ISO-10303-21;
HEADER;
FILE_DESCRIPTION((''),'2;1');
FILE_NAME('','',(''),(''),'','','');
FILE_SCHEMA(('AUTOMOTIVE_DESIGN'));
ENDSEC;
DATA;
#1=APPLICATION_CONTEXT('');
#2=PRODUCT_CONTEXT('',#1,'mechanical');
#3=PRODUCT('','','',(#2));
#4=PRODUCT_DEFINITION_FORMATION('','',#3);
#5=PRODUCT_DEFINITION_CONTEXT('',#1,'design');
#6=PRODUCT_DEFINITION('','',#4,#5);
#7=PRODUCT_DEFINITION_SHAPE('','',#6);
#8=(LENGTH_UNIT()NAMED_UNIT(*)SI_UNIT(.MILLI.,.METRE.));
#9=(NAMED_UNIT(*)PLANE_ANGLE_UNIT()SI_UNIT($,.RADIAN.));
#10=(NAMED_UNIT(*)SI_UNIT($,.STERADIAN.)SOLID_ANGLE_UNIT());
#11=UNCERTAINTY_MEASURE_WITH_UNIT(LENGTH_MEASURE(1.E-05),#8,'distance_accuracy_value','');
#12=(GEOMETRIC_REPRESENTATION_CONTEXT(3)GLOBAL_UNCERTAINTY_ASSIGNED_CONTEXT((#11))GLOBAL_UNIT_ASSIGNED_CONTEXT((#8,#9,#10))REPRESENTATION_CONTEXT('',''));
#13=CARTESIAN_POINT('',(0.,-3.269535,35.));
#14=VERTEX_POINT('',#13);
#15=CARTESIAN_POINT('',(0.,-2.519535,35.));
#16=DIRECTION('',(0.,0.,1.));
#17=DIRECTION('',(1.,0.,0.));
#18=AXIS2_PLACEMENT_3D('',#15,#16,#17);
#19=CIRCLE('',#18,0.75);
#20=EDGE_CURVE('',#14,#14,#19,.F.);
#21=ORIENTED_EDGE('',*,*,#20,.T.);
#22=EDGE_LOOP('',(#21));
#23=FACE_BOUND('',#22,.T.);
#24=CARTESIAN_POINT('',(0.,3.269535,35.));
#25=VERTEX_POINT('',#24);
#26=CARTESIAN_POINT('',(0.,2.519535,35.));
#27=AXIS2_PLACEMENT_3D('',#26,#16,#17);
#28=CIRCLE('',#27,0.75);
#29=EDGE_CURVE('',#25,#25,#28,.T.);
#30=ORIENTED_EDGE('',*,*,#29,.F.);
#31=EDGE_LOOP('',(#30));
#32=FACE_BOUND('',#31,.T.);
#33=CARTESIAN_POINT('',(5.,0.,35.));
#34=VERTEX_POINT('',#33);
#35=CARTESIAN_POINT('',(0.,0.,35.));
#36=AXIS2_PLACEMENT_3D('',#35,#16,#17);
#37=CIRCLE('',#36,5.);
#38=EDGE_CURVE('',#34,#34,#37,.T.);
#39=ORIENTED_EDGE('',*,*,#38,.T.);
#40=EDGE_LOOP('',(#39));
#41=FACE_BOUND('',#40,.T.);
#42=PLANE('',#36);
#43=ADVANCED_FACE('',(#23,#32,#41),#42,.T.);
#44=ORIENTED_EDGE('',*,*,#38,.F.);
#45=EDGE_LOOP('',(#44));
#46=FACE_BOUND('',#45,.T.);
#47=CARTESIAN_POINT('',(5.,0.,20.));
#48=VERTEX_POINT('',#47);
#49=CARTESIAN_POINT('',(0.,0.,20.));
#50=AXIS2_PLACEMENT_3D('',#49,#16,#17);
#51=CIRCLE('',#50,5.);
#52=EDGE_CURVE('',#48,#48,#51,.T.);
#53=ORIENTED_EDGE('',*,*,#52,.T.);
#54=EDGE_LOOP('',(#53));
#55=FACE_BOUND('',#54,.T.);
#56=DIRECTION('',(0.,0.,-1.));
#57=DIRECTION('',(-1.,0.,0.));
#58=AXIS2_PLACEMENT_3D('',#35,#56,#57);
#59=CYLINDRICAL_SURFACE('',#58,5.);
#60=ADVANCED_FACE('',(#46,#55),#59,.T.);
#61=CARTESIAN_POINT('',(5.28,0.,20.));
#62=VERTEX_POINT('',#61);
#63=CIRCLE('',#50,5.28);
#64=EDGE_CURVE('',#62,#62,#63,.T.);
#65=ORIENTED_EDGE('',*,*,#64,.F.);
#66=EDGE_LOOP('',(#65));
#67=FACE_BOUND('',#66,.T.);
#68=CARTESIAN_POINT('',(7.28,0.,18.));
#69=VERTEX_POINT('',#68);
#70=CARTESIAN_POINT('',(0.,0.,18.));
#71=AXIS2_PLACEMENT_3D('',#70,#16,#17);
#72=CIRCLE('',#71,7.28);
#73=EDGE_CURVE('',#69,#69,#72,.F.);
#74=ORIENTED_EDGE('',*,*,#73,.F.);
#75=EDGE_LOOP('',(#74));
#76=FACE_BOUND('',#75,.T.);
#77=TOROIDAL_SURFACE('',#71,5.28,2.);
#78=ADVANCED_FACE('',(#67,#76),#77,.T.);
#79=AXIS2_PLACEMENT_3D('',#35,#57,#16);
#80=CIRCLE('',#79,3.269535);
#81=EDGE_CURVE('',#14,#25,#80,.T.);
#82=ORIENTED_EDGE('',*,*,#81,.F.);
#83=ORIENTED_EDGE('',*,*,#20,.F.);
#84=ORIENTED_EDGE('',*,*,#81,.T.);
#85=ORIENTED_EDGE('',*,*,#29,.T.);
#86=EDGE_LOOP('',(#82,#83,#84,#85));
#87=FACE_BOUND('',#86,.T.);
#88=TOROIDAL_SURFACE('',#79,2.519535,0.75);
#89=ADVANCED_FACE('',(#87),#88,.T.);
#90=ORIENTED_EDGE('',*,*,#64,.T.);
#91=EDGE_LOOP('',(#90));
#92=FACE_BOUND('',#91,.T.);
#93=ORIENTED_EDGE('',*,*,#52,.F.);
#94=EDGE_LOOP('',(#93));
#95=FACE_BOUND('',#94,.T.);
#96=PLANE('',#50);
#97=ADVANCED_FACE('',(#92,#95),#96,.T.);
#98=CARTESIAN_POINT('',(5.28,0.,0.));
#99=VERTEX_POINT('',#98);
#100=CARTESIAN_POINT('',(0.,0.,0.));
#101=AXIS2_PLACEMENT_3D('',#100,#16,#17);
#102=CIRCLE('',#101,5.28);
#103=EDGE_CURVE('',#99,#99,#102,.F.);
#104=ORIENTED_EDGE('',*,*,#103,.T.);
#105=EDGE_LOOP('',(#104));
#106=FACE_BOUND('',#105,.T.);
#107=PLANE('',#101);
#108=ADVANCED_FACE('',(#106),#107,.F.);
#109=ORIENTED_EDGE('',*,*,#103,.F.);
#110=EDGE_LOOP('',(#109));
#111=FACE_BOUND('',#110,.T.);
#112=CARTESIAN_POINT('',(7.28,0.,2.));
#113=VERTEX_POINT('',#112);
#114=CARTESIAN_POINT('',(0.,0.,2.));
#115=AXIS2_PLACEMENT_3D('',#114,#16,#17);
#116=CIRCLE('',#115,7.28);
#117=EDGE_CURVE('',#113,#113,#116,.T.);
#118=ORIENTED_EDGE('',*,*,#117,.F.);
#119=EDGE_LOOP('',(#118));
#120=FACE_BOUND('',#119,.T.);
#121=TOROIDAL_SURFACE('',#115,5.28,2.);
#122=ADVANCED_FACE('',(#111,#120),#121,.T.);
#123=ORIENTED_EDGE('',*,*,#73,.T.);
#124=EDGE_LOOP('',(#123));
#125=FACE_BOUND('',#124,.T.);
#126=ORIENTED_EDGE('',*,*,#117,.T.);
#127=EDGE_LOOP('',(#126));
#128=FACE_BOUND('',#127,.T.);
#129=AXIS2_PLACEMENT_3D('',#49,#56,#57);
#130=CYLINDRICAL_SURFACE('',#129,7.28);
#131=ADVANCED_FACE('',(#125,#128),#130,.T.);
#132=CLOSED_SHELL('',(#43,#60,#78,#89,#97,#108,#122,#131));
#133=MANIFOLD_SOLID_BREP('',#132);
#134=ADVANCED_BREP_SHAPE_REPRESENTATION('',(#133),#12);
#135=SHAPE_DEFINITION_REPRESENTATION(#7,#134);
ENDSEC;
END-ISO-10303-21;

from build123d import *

# Parameters (mm, degrees)
SKETCH1_R           = 7.28
BOSS_EXTRUDE1_DEPTH = 20
FILLET1_R           = 2
SKETCH2_R           = 5
BOSS_EXTRUDE2_DEPTH = 15
SKETCH4_R           = 0.75
REVOLVE1_ANGLE      = 200


with BuildPart() as part:
    # Sketch1 → Boss-Extrude1 (new body)
    with BuildSketch(Plane.XY):
        Circle(SKETCH1_R)
    extrude(amount=BOSS_EXTRUDE1_DEPTH)

    # Fillet1
    fillet1_edges = [part.edges().sort_by_distance(p)[0] for p in [
        (-7.28, 0, 0),
        (-7.28, 0, 20),
    ]]
    fillet(fillet1_edges, radius=FILLET1_R)

    # Sketch2 → Boss-Extrude2 (add)
    with BuildSketch(Plane.XY.offset(20)):
        Circle(SKETCH2_R)
    extrude(amount=BOSS_EXTRUDE2_DEPTH)

    # Sketch4 → Revolve1 (revolve)
    with BuildSketch(Plane.XY.offset(35)):
        with Locations((0, 2.519535337)):
            Circle(SKETCH4_R)
    revolve(axis=Axis((-4.466449007, 0, 35), (1, 0, 0)), revolution_arc=REVOLVE1_ANGLE)


solid = part.part
